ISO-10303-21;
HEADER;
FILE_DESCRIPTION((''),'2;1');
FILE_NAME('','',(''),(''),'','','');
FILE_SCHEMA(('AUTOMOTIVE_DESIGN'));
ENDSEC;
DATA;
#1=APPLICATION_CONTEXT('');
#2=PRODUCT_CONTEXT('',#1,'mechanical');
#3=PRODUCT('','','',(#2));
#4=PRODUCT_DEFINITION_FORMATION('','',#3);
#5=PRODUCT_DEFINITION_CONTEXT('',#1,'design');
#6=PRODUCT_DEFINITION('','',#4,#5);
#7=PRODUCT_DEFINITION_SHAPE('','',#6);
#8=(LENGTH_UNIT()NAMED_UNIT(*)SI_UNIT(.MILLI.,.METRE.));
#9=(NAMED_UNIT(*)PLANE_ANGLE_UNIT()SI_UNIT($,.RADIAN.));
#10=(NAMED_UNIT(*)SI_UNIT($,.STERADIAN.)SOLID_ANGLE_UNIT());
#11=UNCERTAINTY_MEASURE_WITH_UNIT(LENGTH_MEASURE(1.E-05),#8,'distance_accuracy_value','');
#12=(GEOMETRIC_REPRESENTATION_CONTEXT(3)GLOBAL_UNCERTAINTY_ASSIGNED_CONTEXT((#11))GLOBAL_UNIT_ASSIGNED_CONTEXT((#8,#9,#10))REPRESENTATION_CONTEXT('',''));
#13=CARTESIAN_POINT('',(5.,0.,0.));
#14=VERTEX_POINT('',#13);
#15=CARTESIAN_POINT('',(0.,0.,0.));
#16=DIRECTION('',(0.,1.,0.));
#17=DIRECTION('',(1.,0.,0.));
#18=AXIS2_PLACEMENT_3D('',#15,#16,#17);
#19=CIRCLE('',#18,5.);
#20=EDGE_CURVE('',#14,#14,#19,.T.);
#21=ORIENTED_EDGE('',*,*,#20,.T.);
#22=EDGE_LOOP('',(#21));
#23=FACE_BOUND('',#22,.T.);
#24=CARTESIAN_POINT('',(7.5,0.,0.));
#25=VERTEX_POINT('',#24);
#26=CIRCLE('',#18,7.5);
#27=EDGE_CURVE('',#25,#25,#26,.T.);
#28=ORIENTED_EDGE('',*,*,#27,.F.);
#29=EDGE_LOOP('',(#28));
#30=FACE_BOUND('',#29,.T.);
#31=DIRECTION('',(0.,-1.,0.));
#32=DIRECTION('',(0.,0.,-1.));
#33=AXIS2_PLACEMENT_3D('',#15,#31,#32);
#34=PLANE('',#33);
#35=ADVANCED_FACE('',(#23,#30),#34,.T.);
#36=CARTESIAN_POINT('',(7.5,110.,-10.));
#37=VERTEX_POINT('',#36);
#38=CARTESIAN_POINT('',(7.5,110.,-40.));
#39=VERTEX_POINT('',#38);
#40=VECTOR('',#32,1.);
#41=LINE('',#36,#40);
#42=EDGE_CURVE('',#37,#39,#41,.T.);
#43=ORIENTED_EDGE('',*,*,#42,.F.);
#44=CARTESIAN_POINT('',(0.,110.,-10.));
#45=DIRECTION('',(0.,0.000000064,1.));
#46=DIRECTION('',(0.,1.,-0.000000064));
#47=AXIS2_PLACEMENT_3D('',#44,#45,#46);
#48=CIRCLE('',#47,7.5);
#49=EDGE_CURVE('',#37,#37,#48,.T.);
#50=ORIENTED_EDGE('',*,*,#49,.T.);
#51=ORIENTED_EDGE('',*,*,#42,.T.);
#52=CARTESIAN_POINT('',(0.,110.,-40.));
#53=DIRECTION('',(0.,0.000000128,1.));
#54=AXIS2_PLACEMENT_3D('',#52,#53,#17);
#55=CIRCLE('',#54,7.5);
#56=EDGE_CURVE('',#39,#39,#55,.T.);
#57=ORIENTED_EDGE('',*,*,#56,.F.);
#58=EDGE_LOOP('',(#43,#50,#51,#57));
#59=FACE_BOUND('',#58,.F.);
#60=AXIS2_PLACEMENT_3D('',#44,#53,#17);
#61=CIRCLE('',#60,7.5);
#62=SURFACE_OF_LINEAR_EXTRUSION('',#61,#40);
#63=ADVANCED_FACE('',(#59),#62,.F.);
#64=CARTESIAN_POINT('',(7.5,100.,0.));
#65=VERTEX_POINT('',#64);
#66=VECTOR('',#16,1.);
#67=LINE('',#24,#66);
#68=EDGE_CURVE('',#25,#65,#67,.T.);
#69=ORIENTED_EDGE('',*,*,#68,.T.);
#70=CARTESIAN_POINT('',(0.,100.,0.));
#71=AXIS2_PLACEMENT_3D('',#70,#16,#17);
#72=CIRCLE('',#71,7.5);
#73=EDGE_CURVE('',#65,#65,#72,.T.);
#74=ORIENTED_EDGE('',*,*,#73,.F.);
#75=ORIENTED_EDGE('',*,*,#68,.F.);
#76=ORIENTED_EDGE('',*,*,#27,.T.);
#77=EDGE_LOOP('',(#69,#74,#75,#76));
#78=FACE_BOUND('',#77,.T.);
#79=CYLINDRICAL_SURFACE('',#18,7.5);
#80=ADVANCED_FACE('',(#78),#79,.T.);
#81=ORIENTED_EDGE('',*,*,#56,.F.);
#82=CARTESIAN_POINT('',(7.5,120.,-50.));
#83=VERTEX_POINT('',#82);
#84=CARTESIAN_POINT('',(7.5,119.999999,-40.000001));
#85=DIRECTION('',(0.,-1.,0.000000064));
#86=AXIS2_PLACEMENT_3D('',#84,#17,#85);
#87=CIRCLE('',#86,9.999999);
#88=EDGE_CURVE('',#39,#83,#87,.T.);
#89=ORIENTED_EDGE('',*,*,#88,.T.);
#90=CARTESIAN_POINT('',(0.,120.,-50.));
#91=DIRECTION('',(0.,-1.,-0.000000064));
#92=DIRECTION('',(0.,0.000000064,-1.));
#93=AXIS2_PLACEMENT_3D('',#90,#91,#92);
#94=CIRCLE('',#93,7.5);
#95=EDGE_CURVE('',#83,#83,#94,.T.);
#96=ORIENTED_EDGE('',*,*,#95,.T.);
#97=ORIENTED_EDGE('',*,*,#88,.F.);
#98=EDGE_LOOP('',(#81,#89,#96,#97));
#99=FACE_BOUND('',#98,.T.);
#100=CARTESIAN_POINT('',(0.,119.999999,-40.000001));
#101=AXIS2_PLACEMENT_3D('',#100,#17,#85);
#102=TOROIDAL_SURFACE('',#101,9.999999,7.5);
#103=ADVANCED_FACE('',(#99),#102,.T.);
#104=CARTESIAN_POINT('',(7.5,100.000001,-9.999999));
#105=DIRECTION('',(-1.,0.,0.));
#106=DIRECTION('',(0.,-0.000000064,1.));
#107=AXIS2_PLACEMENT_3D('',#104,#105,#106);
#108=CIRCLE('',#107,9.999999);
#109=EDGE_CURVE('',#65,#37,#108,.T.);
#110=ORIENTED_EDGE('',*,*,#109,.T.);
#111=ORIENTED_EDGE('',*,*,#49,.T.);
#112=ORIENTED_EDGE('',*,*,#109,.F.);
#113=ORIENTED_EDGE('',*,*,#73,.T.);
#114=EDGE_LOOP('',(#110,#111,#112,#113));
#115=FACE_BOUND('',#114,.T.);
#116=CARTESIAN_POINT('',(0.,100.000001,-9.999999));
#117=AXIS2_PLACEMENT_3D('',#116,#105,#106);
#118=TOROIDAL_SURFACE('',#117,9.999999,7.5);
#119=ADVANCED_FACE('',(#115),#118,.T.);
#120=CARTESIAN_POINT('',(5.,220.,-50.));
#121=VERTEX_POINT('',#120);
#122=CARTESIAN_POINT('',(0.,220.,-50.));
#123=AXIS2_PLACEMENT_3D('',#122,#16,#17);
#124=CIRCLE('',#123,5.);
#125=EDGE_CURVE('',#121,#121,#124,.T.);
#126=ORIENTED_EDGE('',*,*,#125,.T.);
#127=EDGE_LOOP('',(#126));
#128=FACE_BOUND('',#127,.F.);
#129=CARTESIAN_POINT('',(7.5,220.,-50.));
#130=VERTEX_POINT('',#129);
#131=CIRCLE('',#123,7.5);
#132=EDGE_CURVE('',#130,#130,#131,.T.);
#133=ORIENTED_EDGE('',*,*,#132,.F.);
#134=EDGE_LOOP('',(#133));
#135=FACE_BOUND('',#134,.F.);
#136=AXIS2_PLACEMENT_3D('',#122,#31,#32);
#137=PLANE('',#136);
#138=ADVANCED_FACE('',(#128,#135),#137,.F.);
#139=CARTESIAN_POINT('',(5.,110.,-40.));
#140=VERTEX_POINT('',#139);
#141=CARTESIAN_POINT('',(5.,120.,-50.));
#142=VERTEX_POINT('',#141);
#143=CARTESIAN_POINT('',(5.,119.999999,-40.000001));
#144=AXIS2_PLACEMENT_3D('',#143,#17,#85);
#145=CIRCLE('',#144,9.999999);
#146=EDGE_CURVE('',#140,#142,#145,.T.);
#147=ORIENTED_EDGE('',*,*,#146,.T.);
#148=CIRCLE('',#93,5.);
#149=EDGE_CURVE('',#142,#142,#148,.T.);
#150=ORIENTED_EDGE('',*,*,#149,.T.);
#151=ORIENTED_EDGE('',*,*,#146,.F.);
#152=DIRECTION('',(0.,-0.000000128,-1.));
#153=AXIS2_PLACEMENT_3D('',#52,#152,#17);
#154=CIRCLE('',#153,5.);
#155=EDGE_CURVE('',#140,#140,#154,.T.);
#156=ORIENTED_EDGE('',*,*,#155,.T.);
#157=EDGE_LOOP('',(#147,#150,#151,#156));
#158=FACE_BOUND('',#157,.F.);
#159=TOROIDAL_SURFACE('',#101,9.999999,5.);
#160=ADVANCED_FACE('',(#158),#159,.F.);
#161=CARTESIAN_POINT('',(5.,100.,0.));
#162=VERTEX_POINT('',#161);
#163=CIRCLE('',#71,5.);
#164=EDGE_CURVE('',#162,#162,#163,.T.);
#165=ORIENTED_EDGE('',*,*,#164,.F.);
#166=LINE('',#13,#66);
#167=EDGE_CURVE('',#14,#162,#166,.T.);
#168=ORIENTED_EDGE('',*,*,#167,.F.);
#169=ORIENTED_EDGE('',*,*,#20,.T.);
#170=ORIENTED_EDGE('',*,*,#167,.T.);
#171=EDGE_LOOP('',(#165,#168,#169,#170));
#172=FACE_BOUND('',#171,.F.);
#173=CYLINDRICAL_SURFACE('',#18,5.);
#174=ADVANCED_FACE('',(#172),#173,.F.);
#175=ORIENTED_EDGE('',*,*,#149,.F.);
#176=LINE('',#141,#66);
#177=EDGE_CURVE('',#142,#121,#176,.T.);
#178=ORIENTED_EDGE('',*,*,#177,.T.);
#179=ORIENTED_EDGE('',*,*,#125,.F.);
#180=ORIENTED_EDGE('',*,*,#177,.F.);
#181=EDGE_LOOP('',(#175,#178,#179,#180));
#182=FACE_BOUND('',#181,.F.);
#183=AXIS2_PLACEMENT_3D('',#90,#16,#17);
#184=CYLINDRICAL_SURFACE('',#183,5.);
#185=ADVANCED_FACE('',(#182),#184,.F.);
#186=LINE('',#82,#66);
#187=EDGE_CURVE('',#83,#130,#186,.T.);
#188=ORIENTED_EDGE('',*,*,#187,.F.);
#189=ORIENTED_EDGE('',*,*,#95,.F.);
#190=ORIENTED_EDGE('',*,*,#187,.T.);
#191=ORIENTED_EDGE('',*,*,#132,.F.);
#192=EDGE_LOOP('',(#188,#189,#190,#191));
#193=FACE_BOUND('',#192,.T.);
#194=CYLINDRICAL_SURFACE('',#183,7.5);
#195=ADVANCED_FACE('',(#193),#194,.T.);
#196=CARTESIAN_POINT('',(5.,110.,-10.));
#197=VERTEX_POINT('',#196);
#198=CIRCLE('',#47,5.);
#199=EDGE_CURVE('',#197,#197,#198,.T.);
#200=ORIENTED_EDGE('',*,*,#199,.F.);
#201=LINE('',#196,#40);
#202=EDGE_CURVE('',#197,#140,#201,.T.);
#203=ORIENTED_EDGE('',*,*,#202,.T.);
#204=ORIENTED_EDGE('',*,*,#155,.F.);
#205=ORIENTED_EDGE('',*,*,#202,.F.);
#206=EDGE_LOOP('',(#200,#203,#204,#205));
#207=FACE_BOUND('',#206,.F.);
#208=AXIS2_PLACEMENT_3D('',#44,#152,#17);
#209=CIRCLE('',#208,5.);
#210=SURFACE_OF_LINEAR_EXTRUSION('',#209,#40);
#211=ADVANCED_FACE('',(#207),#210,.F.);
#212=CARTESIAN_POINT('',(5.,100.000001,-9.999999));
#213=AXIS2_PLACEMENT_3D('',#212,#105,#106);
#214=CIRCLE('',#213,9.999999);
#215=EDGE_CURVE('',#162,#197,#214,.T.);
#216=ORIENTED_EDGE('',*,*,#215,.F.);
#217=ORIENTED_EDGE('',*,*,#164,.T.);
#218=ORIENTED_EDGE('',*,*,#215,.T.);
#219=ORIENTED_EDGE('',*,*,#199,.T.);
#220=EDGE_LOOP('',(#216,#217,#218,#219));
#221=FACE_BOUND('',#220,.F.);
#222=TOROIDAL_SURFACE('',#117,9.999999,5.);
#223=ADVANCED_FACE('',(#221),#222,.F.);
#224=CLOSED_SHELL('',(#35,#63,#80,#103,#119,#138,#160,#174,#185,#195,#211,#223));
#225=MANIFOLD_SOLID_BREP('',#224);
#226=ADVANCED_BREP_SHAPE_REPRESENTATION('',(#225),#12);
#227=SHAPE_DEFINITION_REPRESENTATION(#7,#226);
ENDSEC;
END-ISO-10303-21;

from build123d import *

# Parameters (mm, degrees)
F0_R   = 7.5
F0_R_2 = 5


with BuildPart() as f2:
    # F2: sweep along a path in F1
    with BuildLine(Plane.YZ) as f2_path:
        Line((0, 0), (100, 0))
        ThreePointArc((100, 0), (107.071068, -2.928932), (110, -10))
        Line((110, -10), (110, -40))
        ThreePointArc((110, -40), (112.928932, -47.071068), (120, -50))
        Line((120, -50), (220, -50))
    # F0 (on Front) → F2 (sweep)
    with BuildSketch(Plane.XZ):
        Circle(F0_R)
        Circle(F0_R_2, mode=Mode.SUBTRACT)
    sweep(path=f2_path.line)


solid = f2.part
